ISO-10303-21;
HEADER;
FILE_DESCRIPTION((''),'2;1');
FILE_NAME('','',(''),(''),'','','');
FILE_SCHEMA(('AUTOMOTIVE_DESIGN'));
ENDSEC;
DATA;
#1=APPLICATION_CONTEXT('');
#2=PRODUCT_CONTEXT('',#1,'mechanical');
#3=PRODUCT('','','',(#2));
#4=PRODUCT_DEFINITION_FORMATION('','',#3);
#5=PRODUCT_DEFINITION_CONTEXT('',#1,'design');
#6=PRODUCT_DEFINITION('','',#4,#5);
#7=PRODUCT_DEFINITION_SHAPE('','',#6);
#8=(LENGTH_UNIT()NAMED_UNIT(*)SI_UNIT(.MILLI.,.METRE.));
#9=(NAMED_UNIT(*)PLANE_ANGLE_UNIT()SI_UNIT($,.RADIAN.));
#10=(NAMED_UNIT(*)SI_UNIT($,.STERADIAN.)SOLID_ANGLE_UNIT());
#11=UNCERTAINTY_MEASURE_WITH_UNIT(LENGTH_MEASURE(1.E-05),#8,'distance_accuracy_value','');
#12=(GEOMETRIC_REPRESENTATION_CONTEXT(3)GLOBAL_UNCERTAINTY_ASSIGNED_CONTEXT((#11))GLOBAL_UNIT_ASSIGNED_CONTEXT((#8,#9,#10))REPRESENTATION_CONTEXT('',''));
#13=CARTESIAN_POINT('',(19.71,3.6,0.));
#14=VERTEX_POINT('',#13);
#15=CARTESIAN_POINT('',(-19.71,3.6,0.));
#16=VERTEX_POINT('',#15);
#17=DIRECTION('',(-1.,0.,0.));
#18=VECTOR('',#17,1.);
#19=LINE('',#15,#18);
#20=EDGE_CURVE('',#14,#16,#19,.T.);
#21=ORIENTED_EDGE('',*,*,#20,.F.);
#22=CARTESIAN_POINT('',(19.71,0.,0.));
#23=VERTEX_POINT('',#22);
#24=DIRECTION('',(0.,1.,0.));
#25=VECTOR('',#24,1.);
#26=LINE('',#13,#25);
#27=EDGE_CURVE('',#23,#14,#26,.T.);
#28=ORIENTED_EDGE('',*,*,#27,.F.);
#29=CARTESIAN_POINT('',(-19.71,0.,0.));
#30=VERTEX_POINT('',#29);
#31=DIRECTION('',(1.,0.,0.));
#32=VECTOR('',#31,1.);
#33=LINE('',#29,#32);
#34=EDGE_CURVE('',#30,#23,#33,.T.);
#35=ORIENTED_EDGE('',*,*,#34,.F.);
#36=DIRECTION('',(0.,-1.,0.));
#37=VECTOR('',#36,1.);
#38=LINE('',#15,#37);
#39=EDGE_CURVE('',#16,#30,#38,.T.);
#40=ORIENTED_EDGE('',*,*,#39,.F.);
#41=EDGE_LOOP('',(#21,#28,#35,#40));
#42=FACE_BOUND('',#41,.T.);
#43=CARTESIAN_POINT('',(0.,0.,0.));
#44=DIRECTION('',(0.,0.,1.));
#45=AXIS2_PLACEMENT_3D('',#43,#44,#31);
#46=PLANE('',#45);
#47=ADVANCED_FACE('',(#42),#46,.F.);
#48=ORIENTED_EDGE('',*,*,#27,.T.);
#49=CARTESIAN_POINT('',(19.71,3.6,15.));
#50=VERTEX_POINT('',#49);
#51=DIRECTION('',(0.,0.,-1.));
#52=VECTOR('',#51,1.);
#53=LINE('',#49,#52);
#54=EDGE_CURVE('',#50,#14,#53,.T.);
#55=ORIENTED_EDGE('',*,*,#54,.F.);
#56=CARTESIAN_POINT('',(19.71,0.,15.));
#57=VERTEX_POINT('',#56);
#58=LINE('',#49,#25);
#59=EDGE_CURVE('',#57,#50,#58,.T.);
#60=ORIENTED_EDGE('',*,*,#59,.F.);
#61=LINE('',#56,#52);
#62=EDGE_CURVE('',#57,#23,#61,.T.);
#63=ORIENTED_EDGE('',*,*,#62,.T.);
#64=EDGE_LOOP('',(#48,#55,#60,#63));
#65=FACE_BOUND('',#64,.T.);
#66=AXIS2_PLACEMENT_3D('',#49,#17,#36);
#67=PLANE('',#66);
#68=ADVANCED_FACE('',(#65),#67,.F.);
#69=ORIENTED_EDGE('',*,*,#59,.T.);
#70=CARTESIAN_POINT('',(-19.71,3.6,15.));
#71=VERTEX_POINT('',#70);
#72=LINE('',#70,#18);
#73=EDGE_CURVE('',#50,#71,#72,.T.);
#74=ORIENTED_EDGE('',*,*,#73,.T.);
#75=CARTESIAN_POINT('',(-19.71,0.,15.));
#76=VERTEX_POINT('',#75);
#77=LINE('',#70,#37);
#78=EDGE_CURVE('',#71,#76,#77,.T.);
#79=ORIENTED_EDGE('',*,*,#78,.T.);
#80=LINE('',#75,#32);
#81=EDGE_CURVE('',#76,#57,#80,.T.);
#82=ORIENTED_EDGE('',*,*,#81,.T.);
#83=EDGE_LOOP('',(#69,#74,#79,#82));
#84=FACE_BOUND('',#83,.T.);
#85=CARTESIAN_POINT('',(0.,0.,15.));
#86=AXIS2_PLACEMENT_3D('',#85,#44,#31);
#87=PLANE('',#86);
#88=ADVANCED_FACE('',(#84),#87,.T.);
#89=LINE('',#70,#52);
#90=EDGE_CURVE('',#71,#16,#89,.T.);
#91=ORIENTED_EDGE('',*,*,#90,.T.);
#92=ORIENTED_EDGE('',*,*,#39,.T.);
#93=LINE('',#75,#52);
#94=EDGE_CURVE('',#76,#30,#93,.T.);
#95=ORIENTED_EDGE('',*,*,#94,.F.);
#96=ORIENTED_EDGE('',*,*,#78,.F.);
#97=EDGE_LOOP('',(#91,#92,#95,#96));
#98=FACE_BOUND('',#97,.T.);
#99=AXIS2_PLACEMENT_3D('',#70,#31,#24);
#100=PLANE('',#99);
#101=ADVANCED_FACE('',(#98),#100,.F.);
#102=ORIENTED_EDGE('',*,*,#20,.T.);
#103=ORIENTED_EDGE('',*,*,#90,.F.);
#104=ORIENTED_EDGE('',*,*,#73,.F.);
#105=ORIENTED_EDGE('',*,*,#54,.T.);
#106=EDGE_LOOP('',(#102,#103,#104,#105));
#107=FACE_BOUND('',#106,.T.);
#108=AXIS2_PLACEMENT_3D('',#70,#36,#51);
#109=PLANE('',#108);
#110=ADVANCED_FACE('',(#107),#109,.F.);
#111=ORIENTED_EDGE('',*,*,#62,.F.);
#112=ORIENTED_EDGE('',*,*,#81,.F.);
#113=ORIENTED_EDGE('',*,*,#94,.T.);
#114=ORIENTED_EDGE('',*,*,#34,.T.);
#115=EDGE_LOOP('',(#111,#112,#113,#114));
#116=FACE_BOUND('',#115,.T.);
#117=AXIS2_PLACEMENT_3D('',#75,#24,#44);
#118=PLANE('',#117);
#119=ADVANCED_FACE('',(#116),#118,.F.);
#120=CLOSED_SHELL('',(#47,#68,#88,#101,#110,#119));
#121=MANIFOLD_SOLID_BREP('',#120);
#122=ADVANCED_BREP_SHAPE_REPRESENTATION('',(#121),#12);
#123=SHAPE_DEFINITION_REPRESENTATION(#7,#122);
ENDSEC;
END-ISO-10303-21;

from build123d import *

# Parameters (mm, degrees)
SKETCH_1_W      = 39.42
SKETCH_1_H      = 3.6
EXTRUDE_1_DEPTH = 15


with BuildPart() as part:
    # 草图1 → 凸台-拉伸1 (new body)
    with BuildSketch(Plane.XY):
        with Locations((0, 1.8)):
            Rectangle(SKETCH_1_W, SKETCH_1_H)
    extrude(amount=EXTRUDE_1_DEPTH)


solid = part.part
